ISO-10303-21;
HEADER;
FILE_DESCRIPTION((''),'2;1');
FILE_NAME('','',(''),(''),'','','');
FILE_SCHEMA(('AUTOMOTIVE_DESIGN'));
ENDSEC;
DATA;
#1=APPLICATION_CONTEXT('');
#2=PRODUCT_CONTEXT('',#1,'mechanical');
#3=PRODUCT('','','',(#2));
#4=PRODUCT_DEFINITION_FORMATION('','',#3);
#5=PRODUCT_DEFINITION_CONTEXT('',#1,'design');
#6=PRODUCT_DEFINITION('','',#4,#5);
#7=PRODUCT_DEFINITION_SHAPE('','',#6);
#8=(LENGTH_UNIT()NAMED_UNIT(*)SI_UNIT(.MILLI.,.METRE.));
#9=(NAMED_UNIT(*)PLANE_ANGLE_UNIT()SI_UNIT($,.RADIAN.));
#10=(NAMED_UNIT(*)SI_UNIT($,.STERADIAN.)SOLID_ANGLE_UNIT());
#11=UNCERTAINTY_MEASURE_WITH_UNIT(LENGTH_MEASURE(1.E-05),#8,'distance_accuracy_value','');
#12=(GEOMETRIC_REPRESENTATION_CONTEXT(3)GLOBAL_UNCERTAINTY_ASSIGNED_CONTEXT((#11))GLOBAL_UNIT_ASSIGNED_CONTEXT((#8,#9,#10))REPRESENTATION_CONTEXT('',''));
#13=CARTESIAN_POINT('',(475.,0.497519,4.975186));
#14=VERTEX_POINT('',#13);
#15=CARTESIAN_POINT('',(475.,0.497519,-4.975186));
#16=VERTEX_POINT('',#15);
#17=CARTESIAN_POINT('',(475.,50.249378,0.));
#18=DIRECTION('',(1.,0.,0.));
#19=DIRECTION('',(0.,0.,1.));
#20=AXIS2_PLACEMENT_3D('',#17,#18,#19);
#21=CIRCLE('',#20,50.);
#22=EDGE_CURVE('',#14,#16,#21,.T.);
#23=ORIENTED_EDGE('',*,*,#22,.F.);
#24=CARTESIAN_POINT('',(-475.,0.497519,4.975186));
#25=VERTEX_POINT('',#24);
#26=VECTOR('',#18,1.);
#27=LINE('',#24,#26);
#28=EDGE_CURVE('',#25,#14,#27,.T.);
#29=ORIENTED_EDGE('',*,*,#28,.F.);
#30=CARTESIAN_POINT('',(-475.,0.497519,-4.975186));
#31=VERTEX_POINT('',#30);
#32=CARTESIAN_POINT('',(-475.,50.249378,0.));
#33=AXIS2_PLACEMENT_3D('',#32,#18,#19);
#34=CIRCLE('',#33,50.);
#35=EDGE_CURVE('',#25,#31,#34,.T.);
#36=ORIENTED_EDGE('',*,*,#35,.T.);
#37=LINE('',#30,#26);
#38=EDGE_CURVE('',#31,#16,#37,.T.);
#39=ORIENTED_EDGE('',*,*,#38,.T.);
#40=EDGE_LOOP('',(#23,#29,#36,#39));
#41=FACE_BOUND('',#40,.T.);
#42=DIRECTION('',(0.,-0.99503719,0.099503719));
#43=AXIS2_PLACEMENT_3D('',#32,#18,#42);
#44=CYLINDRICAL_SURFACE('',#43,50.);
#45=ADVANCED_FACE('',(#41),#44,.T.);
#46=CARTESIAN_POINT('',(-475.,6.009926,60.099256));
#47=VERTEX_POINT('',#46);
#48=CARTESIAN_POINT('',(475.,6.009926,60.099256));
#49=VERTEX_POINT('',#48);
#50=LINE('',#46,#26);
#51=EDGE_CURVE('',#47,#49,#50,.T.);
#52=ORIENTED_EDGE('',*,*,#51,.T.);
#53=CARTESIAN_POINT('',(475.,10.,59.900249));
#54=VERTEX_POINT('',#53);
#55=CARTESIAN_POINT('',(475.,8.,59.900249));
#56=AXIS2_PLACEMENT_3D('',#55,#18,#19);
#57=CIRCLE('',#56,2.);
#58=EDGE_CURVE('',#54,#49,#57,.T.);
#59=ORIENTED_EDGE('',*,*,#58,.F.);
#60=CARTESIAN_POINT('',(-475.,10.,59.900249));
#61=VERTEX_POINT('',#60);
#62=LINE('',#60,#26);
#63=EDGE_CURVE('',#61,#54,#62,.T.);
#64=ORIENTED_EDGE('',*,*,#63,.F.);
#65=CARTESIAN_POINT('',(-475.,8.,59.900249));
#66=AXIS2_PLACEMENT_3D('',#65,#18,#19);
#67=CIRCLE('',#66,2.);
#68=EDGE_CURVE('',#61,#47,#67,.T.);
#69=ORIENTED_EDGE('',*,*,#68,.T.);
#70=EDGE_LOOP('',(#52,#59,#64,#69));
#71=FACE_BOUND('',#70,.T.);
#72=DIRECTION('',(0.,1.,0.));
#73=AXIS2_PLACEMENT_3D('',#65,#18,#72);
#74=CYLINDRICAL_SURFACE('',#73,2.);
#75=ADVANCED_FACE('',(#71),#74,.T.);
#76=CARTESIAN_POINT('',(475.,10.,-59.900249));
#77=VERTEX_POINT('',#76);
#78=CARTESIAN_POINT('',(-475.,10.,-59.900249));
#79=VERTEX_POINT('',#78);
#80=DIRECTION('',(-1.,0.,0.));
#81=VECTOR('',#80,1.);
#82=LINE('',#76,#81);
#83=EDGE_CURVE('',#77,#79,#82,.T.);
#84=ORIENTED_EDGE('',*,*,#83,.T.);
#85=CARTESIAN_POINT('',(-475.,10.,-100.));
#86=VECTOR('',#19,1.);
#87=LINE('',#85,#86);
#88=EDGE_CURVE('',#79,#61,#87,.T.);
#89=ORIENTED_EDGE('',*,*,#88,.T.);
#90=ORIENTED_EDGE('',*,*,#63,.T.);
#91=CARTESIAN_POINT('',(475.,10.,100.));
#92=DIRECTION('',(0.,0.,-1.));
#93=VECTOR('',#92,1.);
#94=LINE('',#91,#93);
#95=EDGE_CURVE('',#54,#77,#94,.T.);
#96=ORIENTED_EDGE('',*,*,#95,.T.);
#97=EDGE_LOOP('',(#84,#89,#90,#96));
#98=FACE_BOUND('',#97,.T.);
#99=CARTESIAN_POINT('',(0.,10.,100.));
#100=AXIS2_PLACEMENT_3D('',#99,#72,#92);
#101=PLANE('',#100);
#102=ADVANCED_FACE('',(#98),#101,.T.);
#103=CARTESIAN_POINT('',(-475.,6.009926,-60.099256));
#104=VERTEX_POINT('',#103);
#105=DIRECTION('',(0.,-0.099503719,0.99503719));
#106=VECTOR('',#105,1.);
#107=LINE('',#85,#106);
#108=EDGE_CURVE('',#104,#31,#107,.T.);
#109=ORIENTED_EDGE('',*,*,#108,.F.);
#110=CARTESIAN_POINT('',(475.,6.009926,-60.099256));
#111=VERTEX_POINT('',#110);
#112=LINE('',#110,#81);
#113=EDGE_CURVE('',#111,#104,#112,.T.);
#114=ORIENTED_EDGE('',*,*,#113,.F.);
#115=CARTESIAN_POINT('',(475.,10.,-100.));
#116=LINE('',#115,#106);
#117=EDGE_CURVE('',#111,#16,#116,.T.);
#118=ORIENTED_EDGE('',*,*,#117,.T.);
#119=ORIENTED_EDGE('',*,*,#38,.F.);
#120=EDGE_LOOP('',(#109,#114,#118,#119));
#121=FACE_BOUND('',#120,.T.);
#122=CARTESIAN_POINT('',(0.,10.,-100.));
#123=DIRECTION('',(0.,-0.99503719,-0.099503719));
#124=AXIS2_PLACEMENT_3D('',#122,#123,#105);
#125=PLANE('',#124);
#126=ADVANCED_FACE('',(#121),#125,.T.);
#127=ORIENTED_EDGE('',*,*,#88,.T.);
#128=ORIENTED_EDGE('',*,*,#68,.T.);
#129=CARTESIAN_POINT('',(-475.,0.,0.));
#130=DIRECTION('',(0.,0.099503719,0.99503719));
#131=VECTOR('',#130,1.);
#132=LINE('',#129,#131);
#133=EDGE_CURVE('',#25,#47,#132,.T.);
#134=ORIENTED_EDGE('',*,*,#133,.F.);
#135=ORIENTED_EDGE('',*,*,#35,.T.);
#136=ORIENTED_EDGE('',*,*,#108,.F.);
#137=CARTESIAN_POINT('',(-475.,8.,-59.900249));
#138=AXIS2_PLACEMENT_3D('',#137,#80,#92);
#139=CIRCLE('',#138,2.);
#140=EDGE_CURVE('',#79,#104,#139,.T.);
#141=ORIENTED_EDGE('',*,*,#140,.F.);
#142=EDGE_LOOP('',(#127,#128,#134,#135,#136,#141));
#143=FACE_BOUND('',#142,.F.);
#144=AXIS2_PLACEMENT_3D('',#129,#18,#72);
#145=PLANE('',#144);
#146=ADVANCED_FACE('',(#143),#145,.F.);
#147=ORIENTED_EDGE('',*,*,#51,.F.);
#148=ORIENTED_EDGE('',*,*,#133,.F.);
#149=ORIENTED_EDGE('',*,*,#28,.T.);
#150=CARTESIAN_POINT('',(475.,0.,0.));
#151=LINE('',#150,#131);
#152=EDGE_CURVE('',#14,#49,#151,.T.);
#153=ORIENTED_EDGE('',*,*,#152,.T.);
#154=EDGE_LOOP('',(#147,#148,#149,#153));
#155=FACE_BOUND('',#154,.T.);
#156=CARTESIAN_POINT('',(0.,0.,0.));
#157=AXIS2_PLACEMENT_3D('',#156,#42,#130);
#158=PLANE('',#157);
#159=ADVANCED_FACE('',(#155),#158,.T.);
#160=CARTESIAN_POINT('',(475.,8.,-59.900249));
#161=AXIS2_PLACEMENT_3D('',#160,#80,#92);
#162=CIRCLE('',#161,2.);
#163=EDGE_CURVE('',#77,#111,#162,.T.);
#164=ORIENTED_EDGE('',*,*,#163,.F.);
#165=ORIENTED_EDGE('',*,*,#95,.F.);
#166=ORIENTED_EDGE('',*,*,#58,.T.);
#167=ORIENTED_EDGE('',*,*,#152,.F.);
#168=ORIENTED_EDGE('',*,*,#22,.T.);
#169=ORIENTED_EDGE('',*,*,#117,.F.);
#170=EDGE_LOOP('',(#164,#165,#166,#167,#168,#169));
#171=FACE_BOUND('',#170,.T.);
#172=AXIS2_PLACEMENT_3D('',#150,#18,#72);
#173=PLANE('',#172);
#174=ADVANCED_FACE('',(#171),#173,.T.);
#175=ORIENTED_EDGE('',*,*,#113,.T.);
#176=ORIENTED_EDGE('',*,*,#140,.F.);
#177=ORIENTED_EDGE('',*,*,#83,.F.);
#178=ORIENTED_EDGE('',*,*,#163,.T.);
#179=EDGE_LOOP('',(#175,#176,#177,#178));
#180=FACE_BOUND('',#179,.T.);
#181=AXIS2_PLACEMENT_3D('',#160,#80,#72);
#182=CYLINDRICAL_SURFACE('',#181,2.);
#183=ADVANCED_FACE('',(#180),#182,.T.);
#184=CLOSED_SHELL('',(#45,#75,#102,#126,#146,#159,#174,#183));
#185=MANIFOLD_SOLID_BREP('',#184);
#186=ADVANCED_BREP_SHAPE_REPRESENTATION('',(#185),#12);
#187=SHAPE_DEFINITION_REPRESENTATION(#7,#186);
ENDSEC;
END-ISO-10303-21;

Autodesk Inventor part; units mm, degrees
ref_plane "YZ Plane" through (0, 0, 0) normal (1, 0, 0) x (0, 1, 0)
ref_plane "XZ Plane" through (0, 0, 0) normal (0, 1, 0) x (-1, 0, 0)
ref_plane "XY Plane" through (0, 0, 0) normal (0, 0, 1) x (1, 0, 0)
sketch "スケッチ1" plane through (0, 0, 0) normal (1, 0, 0) x (0, 1, 0)
  line L0 (10, 100) -> (10, -100)
  line L1 (10, -100) -> (0, 0)
  line L2 (0, 0) -> (10, 100)
  line L3 (-2, 0) -> (12, 0) projected
  point P0 (10, 0)
  dimension "d0" = 200
  dimension "d5" = 10
extrude "押し出し1" add sketch "スケッチ1" along normal mid plane 950
fillet "フィレット1" radius 2 2 edges at (0, 10, 100) (0, 10, -100)
fillet "フィレット1" radius 50 1 edges at (0, 0, 0)
properties part number "foward_flap" material "CFRP"
